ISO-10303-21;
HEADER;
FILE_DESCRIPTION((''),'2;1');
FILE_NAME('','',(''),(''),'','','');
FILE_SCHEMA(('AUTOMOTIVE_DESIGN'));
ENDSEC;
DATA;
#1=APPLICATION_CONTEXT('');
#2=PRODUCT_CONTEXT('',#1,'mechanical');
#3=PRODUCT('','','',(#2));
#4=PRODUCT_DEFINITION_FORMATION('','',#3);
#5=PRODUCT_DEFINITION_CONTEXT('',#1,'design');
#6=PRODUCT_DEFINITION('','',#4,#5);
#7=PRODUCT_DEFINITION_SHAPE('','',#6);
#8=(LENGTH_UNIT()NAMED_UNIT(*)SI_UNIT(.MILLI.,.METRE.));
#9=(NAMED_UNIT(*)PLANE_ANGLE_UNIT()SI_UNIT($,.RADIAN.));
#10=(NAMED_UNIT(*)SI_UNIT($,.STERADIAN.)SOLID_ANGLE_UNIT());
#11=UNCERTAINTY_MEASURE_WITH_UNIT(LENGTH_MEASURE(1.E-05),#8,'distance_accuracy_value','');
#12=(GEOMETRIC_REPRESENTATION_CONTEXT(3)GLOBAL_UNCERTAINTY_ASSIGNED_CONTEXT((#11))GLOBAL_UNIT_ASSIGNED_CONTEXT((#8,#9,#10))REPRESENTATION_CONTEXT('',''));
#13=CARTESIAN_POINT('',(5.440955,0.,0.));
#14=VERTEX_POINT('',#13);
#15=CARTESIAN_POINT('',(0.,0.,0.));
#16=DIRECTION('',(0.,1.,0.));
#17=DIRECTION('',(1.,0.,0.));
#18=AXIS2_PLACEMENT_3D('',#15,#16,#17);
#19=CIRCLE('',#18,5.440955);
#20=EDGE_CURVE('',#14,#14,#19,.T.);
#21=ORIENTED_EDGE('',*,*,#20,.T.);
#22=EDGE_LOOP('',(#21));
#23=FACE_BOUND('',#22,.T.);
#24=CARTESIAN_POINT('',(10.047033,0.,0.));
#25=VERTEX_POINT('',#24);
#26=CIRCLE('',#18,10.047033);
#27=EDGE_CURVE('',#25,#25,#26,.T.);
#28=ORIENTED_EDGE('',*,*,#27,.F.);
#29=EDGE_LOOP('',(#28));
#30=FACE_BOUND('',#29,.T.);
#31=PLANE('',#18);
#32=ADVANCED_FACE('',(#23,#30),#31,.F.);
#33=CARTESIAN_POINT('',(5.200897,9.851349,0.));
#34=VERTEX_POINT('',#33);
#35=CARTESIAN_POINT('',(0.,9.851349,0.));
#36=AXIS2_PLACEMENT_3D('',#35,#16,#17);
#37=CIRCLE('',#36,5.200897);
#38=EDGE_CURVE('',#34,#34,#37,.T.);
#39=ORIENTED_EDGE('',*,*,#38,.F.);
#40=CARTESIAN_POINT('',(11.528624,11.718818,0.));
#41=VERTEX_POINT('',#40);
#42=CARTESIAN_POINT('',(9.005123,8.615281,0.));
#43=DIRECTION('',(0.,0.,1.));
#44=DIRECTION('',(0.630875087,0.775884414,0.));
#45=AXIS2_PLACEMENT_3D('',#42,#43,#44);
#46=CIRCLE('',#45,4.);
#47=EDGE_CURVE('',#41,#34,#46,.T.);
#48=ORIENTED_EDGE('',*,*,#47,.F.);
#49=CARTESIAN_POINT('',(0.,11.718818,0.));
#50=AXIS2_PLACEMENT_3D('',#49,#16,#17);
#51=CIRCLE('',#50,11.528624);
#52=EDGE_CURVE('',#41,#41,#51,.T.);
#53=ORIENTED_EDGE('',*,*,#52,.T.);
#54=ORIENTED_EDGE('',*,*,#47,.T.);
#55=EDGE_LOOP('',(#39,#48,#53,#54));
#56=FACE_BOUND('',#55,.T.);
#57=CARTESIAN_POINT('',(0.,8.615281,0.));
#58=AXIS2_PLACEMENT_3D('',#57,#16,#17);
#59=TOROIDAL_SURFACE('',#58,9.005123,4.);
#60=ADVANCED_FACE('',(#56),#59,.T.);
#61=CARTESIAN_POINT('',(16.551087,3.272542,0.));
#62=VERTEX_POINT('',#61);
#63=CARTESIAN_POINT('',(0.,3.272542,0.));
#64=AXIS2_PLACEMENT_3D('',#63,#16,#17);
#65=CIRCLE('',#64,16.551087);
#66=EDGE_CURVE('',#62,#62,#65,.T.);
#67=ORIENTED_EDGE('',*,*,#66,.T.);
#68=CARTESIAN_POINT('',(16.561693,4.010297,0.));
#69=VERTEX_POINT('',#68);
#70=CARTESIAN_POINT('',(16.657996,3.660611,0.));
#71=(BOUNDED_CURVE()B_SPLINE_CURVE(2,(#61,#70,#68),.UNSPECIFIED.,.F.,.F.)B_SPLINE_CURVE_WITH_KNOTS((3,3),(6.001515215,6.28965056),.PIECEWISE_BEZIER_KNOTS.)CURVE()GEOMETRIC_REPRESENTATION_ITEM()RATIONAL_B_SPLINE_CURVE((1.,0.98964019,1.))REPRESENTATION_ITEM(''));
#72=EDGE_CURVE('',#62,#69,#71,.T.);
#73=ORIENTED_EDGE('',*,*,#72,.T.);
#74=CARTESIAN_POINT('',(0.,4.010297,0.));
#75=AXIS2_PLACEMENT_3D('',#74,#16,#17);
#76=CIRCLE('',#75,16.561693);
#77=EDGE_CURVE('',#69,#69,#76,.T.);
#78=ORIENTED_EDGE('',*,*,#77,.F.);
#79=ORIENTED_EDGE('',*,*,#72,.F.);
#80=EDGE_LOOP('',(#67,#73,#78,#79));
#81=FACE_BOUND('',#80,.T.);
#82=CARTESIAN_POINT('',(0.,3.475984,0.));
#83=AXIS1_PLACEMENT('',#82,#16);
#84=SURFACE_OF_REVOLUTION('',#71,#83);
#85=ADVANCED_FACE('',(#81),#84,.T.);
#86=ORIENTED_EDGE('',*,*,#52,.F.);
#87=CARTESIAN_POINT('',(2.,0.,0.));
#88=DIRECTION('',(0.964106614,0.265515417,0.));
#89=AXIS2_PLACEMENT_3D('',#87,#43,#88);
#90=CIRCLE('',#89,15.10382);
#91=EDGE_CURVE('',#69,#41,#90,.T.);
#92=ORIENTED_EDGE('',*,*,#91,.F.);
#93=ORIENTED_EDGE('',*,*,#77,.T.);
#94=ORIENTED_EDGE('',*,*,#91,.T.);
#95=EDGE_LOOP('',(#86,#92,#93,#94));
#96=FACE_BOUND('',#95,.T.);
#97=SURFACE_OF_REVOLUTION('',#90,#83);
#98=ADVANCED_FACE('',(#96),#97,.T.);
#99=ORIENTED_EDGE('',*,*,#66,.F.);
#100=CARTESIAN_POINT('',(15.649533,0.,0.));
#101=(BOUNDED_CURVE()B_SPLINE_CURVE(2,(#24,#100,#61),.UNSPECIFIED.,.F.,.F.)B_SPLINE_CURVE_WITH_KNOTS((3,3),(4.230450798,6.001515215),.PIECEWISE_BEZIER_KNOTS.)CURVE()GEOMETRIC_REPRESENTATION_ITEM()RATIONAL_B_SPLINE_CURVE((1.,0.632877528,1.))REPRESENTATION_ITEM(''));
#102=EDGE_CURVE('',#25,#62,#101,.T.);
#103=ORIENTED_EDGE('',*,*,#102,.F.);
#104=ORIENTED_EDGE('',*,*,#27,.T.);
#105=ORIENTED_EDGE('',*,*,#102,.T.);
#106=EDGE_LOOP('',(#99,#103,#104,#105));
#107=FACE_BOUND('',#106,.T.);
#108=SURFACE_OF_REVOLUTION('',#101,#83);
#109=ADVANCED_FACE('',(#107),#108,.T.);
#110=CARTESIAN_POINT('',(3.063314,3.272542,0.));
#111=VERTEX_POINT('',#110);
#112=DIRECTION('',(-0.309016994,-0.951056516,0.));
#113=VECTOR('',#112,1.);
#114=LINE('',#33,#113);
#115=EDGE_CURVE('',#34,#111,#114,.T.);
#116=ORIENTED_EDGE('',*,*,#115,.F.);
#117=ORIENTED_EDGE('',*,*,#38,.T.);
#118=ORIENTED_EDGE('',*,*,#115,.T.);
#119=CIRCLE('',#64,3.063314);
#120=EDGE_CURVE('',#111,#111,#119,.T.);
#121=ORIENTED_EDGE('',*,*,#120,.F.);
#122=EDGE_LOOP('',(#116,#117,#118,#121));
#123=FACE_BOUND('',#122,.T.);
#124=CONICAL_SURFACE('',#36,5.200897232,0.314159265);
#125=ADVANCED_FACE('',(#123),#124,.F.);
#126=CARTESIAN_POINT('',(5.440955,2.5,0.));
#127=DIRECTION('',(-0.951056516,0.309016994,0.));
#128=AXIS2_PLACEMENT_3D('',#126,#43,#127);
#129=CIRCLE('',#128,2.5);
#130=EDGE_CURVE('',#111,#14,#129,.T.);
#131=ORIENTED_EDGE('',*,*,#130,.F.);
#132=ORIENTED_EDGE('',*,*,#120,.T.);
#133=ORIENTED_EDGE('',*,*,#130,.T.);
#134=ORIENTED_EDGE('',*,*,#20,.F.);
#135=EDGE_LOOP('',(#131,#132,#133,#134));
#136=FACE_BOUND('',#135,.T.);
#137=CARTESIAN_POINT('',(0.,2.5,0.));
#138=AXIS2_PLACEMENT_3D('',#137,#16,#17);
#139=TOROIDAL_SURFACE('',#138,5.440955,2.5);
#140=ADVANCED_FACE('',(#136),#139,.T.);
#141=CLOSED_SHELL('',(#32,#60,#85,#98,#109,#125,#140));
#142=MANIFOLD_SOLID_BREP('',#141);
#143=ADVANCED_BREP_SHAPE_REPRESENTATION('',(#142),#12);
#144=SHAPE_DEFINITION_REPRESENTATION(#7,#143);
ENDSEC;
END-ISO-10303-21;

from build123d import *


with BuildPart() as f1:
    # F0 (on Top) → F1 (revolve)
    with BuildSketch(Plane.XY):
        with BuildLine():
            ThreePointArc((3.0633135104, 3.2725424859), (3.4184123152, 1.0305368693), (5.4409548012, 0))
            Line((5.4409548012, 0), (10.047032676, 0))
            add(Edge.make_bspline(
                [(10.047032676, 0), (15.6495332881, 0), (16.551087103, 3.2725424859)],
                knots=[4.2304507978, 4.2304507978, 4.2304507978, 6.0015152151, 6.0015152151, 6.0015152151], degree=2, weights=[1, 0.6328775276, 1]))
            Line((16.551087103, 3.2725424859), (3.0633135104, 3.2725424859))
        make_face()
        with BuildLine():
            Line((5.2008972323, 9.8513487161), (3.0633135104, 3.2725424859))
            Line((3.0633135104, 3.2725424859), (16.551087103, 3.2725424859))
            add(Edge.make_bspline(
                [(16.551087103, 3.2725424859), (16.6579962544, 3.6606111005), (16.5616925878, 4.0102970167)],
                knots=[6.0015152151, 6.0015152151, 6.0015152151, 6.2896505601, 6.2896505601, 6.2896505601], degree=2, weights=[1, 0.9896401901, 1]))
            ThreePointArc((16.5616925878, 4.0102970167), (14.6467845529, 8.2573732905), (11.5286236462, 11.7188183959))
            ThreePointArc((11.5286236462, 11.7188183959), (7.8729018786, 12.4516950356), (5.2008972323, 9.8513487161))
        make_face()
    revolve(axis=Axis((0, 3.47598386, 0), (0, 1, 0)))


solid = f1.part
